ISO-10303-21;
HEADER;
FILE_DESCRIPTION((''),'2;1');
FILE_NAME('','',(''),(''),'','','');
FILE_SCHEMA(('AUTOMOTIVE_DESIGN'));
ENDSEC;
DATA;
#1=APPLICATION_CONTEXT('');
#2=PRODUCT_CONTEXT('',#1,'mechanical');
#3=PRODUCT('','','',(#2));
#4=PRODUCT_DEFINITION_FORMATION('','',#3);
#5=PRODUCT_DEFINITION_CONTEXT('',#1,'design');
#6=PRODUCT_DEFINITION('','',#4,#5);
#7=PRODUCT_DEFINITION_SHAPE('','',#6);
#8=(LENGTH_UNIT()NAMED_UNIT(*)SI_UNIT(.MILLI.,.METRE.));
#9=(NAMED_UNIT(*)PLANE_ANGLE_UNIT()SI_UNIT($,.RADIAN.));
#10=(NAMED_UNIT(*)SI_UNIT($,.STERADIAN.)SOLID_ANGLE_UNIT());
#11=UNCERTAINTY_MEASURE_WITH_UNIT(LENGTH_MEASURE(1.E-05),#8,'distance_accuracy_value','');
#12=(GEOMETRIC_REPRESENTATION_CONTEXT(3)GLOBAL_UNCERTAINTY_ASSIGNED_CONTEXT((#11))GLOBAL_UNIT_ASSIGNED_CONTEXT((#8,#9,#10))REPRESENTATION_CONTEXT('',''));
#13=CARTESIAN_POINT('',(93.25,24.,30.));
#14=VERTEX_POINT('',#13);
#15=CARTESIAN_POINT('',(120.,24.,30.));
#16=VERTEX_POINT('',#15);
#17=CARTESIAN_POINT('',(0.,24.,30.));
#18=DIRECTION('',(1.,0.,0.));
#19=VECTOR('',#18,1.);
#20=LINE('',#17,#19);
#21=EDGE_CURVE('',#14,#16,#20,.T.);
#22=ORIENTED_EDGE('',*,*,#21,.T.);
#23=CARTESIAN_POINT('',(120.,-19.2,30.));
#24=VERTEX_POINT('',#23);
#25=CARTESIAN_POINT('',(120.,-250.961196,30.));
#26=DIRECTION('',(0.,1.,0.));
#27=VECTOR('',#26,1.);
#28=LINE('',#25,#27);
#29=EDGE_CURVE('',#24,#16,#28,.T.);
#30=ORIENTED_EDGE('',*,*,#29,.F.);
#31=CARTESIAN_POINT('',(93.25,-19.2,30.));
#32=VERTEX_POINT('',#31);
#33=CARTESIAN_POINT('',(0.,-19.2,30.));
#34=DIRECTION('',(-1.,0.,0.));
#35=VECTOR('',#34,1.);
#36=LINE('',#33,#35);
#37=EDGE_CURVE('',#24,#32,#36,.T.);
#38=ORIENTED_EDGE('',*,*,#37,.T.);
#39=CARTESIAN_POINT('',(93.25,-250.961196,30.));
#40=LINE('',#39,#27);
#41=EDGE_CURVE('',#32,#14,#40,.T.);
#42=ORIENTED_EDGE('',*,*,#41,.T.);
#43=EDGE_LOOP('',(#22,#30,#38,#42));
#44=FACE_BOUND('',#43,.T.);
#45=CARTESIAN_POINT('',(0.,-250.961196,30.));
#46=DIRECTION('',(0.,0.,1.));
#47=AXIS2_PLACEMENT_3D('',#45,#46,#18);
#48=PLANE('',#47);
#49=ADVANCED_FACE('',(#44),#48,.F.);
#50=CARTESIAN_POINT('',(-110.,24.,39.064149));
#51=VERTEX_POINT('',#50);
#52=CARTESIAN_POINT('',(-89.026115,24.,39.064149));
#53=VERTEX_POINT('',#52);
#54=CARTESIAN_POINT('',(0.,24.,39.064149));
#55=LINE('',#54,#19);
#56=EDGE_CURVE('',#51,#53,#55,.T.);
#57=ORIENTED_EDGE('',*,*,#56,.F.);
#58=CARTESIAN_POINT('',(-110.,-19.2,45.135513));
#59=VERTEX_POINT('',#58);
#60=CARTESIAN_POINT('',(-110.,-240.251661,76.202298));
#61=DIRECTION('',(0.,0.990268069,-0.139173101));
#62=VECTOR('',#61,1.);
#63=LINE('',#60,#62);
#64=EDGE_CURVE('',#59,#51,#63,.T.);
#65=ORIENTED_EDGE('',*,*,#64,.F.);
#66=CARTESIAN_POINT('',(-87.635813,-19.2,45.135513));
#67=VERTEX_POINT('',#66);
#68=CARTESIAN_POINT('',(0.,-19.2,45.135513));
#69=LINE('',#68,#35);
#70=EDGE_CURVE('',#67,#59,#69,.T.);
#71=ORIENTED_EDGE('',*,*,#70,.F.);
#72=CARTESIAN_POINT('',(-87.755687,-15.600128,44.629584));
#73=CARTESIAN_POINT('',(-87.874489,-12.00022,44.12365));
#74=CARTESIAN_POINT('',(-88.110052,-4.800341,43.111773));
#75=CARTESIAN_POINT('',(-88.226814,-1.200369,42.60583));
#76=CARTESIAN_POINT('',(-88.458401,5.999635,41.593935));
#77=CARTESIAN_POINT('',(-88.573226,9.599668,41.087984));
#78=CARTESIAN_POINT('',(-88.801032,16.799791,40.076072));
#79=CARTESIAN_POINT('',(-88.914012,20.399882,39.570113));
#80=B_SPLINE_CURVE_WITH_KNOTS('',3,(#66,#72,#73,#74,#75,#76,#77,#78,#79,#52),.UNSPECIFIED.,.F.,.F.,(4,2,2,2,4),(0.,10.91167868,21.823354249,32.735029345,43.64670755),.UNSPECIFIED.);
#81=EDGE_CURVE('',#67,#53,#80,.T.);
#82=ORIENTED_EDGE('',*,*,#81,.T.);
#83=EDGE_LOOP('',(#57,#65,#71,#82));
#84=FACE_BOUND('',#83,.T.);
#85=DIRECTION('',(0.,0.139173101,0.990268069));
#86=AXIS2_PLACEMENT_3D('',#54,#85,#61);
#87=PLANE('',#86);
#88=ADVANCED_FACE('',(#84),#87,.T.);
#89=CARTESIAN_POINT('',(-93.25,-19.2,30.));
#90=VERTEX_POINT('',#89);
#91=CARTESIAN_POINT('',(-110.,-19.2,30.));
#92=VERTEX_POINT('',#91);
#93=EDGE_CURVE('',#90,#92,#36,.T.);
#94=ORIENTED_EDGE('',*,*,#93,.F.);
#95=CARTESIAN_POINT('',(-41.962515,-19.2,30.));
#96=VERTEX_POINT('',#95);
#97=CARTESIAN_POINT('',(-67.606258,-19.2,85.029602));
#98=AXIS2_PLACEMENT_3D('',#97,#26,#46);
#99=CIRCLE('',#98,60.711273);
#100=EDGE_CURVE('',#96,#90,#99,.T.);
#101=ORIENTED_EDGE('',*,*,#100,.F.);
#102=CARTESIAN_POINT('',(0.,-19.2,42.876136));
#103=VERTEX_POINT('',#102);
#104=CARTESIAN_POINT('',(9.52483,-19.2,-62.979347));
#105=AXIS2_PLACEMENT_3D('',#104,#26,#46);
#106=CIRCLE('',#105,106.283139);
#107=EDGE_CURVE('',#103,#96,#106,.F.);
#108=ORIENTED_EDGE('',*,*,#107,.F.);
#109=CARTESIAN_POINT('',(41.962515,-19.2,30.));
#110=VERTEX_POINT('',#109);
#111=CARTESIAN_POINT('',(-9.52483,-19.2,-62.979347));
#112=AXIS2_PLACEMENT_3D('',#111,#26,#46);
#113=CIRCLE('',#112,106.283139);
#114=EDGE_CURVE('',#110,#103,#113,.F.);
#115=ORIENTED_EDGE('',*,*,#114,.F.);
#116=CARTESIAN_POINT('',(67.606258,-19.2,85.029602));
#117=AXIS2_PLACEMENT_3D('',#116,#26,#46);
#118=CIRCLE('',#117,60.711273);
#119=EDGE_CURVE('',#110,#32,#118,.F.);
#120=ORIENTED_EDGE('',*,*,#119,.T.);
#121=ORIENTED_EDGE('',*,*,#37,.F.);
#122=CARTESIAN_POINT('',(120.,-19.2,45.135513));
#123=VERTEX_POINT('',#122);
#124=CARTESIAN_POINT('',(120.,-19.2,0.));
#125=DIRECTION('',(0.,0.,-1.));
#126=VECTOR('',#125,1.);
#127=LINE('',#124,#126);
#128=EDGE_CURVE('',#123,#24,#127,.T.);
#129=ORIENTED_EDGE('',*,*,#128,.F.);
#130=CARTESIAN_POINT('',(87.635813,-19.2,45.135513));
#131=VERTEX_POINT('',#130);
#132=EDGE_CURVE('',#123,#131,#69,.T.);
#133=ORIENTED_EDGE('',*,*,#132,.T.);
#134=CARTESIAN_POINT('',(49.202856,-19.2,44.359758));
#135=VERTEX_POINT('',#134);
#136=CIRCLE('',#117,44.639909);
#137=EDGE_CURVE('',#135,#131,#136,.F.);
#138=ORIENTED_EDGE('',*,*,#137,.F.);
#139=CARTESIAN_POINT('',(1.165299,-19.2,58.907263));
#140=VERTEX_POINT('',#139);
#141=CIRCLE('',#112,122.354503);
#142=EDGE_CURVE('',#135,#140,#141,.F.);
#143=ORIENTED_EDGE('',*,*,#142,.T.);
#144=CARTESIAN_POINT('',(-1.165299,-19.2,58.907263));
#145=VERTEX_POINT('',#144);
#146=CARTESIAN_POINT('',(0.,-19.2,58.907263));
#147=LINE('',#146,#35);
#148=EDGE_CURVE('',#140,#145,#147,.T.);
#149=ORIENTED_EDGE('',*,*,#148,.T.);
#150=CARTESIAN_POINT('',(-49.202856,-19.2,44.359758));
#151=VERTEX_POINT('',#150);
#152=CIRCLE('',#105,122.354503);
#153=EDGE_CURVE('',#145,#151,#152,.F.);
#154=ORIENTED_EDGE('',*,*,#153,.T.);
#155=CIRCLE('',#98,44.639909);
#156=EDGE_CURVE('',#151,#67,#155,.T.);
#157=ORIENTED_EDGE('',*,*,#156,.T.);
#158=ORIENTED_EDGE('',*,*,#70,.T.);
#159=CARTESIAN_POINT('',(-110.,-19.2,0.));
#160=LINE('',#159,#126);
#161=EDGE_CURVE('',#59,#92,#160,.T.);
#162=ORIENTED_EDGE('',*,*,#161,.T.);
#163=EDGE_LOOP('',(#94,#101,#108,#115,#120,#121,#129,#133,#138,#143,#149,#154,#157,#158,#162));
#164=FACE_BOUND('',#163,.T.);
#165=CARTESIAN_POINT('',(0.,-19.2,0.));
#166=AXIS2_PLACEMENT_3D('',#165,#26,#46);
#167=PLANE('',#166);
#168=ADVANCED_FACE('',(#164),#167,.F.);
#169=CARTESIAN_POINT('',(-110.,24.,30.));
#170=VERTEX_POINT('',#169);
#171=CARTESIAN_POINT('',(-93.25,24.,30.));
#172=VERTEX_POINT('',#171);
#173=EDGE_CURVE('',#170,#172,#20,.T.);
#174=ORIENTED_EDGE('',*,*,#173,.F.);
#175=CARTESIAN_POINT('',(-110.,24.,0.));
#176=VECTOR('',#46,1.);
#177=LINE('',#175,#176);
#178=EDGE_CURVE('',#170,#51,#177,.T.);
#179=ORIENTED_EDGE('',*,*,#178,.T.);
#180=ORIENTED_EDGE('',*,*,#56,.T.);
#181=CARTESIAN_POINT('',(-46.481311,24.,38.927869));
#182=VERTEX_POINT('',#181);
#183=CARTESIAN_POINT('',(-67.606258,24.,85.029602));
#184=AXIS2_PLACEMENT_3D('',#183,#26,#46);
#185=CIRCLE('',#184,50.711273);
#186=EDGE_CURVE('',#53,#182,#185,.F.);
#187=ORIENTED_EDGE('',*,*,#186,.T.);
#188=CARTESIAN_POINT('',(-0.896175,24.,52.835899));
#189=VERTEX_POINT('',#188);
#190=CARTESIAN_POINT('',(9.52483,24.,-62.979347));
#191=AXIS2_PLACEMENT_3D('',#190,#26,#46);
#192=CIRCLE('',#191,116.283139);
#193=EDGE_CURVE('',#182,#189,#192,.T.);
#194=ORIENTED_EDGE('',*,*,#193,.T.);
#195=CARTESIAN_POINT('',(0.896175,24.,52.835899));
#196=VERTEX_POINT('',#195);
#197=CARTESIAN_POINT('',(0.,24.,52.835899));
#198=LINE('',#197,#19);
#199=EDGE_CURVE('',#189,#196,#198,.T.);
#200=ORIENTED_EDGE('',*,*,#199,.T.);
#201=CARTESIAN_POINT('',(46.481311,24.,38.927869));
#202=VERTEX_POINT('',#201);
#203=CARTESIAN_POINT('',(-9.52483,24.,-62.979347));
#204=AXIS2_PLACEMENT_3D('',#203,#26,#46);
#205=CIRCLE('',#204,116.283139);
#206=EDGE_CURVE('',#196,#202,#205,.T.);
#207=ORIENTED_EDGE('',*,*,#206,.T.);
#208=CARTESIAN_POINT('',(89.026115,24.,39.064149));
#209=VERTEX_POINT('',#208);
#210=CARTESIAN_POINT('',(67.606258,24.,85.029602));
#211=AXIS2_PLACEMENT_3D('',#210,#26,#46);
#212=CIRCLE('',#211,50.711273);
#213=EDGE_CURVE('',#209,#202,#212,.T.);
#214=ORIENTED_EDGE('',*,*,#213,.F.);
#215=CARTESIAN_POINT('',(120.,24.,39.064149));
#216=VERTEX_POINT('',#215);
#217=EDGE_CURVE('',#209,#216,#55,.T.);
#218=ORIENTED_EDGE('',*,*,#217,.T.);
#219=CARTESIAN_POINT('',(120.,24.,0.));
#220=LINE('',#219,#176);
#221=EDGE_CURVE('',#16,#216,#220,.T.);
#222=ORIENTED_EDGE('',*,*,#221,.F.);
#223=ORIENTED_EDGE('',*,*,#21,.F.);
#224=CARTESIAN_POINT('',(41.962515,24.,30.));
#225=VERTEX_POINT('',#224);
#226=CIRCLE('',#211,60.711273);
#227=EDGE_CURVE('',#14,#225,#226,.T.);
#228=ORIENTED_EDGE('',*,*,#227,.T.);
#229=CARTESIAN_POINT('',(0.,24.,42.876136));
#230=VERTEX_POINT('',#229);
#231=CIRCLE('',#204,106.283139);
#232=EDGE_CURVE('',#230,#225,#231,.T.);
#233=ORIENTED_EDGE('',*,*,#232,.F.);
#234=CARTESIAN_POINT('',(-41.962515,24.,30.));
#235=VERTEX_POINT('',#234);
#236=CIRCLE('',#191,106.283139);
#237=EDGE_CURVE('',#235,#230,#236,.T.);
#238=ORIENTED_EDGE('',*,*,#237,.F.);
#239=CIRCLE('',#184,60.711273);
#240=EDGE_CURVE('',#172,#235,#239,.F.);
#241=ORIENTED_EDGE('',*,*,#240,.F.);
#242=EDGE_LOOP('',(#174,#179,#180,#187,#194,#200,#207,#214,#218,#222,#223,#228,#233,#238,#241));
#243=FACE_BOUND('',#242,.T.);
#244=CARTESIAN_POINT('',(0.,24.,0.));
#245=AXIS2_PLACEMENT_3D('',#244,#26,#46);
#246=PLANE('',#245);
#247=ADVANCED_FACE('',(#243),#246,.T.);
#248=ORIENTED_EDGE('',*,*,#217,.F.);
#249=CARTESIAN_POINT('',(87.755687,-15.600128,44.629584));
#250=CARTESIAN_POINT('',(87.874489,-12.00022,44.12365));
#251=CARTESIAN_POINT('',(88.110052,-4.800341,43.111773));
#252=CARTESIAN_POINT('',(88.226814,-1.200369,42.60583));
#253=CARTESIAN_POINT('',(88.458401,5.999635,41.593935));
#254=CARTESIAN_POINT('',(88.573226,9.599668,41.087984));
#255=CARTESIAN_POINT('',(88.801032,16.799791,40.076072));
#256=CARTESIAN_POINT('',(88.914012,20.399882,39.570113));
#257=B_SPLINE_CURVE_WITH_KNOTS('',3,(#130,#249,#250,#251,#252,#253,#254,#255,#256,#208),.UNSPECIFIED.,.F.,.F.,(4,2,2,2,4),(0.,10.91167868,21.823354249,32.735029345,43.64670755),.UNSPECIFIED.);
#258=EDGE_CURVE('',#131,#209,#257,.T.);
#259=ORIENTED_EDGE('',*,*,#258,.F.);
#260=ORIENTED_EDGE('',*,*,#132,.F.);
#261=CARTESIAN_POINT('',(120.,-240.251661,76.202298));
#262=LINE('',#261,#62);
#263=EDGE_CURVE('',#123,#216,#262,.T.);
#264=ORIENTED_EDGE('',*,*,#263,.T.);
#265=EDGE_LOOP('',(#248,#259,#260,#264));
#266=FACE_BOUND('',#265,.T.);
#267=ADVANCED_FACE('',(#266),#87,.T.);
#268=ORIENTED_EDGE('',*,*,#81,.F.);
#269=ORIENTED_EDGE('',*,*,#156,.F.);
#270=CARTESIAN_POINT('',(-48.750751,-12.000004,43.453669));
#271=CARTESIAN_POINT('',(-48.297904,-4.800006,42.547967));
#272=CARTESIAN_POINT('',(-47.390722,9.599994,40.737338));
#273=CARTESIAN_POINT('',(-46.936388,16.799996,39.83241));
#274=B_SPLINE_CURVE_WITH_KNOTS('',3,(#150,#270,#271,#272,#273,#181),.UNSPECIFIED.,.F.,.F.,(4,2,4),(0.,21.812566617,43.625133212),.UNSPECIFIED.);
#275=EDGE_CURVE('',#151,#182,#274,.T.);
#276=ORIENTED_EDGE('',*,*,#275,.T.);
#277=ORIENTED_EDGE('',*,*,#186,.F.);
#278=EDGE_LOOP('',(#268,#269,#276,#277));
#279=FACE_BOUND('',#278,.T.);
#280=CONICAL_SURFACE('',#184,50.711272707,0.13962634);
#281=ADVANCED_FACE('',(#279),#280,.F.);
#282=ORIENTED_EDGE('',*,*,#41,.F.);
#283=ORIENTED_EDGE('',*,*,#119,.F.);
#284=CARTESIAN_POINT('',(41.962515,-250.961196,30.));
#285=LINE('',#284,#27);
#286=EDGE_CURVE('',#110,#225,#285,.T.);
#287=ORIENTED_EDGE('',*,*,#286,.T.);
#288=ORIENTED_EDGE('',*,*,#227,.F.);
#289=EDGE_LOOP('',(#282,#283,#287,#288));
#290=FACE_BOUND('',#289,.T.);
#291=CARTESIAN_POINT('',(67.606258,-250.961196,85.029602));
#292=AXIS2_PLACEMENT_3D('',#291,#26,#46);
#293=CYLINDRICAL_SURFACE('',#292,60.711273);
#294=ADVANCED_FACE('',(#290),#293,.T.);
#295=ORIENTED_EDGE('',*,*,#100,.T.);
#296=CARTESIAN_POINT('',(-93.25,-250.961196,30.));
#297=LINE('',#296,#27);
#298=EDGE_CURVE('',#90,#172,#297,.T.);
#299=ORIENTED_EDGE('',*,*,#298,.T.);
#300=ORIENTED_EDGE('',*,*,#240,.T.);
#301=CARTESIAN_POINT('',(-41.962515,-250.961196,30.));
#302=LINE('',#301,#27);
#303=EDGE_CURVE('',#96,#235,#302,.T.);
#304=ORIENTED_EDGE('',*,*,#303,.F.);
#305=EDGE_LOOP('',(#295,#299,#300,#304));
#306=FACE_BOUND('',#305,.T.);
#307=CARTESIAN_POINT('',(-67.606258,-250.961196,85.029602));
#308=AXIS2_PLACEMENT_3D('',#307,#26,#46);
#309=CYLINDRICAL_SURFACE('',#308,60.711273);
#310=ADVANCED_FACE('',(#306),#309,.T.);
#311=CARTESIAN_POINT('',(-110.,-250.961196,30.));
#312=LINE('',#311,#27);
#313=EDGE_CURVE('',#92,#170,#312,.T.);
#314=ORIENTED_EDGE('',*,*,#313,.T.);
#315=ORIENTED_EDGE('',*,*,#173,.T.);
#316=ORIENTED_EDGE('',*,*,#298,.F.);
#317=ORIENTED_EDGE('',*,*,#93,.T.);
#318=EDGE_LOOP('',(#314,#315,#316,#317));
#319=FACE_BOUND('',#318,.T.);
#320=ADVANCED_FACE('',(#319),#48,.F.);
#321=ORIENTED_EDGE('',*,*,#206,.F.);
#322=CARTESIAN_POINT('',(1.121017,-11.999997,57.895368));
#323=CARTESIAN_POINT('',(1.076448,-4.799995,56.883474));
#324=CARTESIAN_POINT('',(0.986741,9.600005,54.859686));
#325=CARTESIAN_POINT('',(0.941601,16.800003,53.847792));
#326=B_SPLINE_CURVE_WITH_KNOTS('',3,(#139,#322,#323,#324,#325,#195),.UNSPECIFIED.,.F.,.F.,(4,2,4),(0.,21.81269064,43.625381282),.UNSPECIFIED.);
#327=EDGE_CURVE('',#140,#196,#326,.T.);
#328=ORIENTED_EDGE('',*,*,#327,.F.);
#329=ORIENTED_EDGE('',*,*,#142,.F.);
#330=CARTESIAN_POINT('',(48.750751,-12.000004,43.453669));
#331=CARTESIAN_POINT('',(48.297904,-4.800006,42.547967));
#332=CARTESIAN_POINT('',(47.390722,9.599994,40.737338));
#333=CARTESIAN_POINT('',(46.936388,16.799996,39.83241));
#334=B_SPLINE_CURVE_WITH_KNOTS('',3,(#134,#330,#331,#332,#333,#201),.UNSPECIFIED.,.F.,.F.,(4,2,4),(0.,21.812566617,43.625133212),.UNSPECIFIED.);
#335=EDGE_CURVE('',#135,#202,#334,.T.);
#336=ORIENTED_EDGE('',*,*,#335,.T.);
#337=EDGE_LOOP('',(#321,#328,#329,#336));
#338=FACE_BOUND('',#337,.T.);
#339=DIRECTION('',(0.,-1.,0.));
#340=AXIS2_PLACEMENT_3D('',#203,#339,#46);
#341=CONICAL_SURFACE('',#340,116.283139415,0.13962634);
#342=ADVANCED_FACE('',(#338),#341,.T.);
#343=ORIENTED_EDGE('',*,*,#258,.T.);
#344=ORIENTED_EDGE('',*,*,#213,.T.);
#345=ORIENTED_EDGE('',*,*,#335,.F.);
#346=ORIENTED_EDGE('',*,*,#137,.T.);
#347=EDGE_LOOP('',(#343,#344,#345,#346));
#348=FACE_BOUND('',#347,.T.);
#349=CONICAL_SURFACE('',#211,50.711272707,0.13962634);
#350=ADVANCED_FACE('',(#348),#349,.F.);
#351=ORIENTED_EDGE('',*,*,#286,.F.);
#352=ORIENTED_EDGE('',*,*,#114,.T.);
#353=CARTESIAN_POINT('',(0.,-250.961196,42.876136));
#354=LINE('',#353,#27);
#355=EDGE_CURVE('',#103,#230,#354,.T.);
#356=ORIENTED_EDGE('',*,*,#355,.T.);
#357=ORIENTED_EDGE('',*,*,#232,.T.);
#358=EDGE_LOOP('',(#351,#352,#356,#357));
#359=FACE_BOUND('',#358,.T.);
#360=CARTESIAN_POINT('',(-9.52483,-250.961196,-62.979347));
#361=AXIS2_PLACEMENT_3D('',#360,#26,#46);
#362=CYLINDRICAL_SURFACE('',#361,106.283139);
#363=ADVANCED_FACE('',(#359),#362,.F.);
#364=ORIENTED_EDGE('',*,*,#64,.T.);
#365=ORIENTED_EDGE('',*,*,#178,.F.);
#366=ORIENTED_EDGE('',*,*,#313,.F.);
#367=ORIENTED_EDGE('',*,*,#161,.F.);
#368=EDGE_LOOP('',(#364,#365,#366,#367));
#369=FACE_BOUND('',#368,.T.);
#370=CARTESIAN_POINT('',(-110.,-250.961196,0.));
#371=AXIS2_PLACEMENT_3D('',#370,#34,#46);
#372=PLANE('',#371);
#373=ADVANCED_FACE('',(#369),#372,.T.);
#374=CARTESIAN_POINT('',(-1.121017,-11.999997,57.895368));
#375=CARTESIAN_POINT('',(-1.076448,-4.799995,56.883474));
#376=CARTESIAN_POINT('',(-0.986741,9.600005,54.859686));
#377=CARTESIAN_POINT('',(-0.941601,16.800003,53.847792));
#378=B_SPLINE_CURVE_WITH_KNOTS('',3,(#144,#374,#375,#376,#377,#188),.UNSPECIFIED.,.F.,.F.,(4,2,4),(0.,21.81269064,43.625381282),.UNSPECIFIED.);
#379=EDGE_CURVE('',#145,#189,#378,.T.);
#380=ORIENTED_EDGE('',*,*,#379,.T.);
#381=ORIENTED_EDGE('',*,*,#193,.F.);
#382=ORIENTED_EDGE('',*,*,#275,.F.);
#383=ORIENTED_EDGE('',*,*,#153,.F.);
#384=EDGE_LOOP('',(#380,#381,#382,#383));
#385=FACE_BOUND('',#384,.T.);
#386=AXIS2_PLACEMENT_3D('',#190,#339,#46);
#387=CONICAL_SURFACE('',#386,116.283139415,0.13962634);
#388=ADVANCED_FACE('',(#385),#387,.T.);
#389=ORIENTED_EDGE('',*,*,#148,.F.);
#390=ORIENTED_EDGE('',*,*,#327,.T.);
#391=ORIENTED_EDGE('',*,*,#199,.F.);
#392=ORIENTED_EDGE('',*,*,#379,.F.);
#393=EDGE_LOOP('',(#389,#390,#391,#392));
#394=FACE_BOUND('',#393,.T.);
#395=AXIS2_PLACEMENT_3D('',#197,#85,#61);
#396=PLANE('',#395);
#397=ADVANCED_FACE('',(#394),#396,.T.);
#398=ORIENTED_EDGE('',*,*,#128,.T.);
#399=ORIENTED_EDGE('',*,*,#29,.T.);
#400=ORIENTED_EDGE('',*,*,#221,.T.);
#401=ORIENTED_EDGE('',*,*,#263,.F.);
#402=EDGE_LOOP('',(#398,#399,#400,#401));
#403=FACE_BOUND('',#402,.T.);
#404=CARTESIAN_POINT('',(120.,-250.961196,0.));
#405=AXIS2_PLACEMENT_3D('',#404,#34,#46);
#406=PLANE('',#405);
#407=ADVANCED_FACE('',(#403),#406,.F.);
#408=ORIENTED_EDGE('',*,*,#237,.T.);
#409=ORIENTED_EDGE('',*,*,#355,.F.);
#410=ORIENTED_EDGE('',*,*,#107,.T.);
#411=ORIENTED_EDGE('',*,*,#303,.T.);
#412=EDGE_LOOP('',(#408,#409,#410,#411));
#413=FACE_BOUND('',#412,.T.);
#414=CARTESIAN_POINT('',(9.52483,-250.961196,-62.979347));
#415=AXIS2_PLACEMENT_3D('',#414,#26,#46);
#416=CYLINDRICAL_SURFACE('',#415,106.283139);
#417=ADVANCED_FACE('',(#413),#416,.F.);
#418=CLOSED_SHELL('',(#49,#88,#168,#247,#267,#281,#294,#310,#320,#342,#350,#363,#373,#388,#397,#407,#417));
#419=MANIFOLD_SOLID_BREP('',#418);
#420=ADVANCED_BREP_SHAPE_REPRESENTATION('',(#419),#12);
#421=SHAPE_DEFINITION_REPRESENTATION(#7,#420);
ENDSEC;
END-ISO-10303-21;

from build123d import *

# Parameters (mm, degrees)
BOSS_EXTRUDE1_DEPTH = 43.2
DRAFT2_ANGLE        = 8


with BuildPart() as part:
    # Sketch3 → Boss-Extrude1 (new body)
    with BuildSketch(Plane(origin=(0, 24, 0), x_dir=(1, 0, 0), z_dir=(0, 1, 0))):
        with BuildLine():
            Line((-0.896175087, -52.835898714), (0.896175087, -52.835898714))
            ThreePointArc((0.896175087, -52.835898714), (24.408925383, -48.242362776), (46.481310912, -38.927868909))
            ThreePointArc((46.481310912, -38.927868909), (67.768695813, -34.318589585), (89.02611517, -39.064148992))
            Line((89.02611517, -39.064148992), (120, -39.064148992))
            Line((120, -39.064148992), (120, -30))
            Line((120, -30), (93.25, -30))
            ThreePointArc((93.25, -30), (67.606257623, -24.318329423), (41.962515246, -30))
            ThreePointArc((41.962515246, -30), (21.653208784, -38.627914511), (0, -42.876136156))
            ThreePointArc((0, -42.876136156), (-21.653208784, -38.627914511), (-41.962515246, -30))
            ThreePointArc((-41.962515246, -30), (-67.606257623, -24.318329423), (-93.25, -30))
            Line((-93.25, -30), (-110, -30))
            Line((-110, -30), (-110, -39.064148992))
            Line((-110, -39.064148992), (-89.02611517, -39.064148992))
            ThreePointArc((-89.02611517, -39.064148992), (-67.768695813, -34.318589585), (-46.481310912, -38.927868909))
            ThreePointArc((-46.481310912, -38.927868909), (-24.408925383, -48.242362776), (-0.896175087, -52.835898714))
        make_face()
    extrude(amount=-BOSS_EXTRUDE1_DEPTH)

    # Draft2
    draft2_faces = [part.faces().sort_by_distance(p)[0] for p in [
        (0, 2.4, 52.835898714),
        (104.513057585, 2.4, 39.064148992),
        (67.768695813, 2.4, 34.318589585),
        (24.408925383, 2.4, 48.242362776),
        (-24.408925383, 2.4, 48.242362776),
        (-67.768695813, 2.4, 34.318589585),
        (-99.513057585, 2.4, 39.064148992),
    ]]
    draft(draft2_faces, Plane.ZX.offset(24), DRAFT2_ANGLE)


solid = part.part
